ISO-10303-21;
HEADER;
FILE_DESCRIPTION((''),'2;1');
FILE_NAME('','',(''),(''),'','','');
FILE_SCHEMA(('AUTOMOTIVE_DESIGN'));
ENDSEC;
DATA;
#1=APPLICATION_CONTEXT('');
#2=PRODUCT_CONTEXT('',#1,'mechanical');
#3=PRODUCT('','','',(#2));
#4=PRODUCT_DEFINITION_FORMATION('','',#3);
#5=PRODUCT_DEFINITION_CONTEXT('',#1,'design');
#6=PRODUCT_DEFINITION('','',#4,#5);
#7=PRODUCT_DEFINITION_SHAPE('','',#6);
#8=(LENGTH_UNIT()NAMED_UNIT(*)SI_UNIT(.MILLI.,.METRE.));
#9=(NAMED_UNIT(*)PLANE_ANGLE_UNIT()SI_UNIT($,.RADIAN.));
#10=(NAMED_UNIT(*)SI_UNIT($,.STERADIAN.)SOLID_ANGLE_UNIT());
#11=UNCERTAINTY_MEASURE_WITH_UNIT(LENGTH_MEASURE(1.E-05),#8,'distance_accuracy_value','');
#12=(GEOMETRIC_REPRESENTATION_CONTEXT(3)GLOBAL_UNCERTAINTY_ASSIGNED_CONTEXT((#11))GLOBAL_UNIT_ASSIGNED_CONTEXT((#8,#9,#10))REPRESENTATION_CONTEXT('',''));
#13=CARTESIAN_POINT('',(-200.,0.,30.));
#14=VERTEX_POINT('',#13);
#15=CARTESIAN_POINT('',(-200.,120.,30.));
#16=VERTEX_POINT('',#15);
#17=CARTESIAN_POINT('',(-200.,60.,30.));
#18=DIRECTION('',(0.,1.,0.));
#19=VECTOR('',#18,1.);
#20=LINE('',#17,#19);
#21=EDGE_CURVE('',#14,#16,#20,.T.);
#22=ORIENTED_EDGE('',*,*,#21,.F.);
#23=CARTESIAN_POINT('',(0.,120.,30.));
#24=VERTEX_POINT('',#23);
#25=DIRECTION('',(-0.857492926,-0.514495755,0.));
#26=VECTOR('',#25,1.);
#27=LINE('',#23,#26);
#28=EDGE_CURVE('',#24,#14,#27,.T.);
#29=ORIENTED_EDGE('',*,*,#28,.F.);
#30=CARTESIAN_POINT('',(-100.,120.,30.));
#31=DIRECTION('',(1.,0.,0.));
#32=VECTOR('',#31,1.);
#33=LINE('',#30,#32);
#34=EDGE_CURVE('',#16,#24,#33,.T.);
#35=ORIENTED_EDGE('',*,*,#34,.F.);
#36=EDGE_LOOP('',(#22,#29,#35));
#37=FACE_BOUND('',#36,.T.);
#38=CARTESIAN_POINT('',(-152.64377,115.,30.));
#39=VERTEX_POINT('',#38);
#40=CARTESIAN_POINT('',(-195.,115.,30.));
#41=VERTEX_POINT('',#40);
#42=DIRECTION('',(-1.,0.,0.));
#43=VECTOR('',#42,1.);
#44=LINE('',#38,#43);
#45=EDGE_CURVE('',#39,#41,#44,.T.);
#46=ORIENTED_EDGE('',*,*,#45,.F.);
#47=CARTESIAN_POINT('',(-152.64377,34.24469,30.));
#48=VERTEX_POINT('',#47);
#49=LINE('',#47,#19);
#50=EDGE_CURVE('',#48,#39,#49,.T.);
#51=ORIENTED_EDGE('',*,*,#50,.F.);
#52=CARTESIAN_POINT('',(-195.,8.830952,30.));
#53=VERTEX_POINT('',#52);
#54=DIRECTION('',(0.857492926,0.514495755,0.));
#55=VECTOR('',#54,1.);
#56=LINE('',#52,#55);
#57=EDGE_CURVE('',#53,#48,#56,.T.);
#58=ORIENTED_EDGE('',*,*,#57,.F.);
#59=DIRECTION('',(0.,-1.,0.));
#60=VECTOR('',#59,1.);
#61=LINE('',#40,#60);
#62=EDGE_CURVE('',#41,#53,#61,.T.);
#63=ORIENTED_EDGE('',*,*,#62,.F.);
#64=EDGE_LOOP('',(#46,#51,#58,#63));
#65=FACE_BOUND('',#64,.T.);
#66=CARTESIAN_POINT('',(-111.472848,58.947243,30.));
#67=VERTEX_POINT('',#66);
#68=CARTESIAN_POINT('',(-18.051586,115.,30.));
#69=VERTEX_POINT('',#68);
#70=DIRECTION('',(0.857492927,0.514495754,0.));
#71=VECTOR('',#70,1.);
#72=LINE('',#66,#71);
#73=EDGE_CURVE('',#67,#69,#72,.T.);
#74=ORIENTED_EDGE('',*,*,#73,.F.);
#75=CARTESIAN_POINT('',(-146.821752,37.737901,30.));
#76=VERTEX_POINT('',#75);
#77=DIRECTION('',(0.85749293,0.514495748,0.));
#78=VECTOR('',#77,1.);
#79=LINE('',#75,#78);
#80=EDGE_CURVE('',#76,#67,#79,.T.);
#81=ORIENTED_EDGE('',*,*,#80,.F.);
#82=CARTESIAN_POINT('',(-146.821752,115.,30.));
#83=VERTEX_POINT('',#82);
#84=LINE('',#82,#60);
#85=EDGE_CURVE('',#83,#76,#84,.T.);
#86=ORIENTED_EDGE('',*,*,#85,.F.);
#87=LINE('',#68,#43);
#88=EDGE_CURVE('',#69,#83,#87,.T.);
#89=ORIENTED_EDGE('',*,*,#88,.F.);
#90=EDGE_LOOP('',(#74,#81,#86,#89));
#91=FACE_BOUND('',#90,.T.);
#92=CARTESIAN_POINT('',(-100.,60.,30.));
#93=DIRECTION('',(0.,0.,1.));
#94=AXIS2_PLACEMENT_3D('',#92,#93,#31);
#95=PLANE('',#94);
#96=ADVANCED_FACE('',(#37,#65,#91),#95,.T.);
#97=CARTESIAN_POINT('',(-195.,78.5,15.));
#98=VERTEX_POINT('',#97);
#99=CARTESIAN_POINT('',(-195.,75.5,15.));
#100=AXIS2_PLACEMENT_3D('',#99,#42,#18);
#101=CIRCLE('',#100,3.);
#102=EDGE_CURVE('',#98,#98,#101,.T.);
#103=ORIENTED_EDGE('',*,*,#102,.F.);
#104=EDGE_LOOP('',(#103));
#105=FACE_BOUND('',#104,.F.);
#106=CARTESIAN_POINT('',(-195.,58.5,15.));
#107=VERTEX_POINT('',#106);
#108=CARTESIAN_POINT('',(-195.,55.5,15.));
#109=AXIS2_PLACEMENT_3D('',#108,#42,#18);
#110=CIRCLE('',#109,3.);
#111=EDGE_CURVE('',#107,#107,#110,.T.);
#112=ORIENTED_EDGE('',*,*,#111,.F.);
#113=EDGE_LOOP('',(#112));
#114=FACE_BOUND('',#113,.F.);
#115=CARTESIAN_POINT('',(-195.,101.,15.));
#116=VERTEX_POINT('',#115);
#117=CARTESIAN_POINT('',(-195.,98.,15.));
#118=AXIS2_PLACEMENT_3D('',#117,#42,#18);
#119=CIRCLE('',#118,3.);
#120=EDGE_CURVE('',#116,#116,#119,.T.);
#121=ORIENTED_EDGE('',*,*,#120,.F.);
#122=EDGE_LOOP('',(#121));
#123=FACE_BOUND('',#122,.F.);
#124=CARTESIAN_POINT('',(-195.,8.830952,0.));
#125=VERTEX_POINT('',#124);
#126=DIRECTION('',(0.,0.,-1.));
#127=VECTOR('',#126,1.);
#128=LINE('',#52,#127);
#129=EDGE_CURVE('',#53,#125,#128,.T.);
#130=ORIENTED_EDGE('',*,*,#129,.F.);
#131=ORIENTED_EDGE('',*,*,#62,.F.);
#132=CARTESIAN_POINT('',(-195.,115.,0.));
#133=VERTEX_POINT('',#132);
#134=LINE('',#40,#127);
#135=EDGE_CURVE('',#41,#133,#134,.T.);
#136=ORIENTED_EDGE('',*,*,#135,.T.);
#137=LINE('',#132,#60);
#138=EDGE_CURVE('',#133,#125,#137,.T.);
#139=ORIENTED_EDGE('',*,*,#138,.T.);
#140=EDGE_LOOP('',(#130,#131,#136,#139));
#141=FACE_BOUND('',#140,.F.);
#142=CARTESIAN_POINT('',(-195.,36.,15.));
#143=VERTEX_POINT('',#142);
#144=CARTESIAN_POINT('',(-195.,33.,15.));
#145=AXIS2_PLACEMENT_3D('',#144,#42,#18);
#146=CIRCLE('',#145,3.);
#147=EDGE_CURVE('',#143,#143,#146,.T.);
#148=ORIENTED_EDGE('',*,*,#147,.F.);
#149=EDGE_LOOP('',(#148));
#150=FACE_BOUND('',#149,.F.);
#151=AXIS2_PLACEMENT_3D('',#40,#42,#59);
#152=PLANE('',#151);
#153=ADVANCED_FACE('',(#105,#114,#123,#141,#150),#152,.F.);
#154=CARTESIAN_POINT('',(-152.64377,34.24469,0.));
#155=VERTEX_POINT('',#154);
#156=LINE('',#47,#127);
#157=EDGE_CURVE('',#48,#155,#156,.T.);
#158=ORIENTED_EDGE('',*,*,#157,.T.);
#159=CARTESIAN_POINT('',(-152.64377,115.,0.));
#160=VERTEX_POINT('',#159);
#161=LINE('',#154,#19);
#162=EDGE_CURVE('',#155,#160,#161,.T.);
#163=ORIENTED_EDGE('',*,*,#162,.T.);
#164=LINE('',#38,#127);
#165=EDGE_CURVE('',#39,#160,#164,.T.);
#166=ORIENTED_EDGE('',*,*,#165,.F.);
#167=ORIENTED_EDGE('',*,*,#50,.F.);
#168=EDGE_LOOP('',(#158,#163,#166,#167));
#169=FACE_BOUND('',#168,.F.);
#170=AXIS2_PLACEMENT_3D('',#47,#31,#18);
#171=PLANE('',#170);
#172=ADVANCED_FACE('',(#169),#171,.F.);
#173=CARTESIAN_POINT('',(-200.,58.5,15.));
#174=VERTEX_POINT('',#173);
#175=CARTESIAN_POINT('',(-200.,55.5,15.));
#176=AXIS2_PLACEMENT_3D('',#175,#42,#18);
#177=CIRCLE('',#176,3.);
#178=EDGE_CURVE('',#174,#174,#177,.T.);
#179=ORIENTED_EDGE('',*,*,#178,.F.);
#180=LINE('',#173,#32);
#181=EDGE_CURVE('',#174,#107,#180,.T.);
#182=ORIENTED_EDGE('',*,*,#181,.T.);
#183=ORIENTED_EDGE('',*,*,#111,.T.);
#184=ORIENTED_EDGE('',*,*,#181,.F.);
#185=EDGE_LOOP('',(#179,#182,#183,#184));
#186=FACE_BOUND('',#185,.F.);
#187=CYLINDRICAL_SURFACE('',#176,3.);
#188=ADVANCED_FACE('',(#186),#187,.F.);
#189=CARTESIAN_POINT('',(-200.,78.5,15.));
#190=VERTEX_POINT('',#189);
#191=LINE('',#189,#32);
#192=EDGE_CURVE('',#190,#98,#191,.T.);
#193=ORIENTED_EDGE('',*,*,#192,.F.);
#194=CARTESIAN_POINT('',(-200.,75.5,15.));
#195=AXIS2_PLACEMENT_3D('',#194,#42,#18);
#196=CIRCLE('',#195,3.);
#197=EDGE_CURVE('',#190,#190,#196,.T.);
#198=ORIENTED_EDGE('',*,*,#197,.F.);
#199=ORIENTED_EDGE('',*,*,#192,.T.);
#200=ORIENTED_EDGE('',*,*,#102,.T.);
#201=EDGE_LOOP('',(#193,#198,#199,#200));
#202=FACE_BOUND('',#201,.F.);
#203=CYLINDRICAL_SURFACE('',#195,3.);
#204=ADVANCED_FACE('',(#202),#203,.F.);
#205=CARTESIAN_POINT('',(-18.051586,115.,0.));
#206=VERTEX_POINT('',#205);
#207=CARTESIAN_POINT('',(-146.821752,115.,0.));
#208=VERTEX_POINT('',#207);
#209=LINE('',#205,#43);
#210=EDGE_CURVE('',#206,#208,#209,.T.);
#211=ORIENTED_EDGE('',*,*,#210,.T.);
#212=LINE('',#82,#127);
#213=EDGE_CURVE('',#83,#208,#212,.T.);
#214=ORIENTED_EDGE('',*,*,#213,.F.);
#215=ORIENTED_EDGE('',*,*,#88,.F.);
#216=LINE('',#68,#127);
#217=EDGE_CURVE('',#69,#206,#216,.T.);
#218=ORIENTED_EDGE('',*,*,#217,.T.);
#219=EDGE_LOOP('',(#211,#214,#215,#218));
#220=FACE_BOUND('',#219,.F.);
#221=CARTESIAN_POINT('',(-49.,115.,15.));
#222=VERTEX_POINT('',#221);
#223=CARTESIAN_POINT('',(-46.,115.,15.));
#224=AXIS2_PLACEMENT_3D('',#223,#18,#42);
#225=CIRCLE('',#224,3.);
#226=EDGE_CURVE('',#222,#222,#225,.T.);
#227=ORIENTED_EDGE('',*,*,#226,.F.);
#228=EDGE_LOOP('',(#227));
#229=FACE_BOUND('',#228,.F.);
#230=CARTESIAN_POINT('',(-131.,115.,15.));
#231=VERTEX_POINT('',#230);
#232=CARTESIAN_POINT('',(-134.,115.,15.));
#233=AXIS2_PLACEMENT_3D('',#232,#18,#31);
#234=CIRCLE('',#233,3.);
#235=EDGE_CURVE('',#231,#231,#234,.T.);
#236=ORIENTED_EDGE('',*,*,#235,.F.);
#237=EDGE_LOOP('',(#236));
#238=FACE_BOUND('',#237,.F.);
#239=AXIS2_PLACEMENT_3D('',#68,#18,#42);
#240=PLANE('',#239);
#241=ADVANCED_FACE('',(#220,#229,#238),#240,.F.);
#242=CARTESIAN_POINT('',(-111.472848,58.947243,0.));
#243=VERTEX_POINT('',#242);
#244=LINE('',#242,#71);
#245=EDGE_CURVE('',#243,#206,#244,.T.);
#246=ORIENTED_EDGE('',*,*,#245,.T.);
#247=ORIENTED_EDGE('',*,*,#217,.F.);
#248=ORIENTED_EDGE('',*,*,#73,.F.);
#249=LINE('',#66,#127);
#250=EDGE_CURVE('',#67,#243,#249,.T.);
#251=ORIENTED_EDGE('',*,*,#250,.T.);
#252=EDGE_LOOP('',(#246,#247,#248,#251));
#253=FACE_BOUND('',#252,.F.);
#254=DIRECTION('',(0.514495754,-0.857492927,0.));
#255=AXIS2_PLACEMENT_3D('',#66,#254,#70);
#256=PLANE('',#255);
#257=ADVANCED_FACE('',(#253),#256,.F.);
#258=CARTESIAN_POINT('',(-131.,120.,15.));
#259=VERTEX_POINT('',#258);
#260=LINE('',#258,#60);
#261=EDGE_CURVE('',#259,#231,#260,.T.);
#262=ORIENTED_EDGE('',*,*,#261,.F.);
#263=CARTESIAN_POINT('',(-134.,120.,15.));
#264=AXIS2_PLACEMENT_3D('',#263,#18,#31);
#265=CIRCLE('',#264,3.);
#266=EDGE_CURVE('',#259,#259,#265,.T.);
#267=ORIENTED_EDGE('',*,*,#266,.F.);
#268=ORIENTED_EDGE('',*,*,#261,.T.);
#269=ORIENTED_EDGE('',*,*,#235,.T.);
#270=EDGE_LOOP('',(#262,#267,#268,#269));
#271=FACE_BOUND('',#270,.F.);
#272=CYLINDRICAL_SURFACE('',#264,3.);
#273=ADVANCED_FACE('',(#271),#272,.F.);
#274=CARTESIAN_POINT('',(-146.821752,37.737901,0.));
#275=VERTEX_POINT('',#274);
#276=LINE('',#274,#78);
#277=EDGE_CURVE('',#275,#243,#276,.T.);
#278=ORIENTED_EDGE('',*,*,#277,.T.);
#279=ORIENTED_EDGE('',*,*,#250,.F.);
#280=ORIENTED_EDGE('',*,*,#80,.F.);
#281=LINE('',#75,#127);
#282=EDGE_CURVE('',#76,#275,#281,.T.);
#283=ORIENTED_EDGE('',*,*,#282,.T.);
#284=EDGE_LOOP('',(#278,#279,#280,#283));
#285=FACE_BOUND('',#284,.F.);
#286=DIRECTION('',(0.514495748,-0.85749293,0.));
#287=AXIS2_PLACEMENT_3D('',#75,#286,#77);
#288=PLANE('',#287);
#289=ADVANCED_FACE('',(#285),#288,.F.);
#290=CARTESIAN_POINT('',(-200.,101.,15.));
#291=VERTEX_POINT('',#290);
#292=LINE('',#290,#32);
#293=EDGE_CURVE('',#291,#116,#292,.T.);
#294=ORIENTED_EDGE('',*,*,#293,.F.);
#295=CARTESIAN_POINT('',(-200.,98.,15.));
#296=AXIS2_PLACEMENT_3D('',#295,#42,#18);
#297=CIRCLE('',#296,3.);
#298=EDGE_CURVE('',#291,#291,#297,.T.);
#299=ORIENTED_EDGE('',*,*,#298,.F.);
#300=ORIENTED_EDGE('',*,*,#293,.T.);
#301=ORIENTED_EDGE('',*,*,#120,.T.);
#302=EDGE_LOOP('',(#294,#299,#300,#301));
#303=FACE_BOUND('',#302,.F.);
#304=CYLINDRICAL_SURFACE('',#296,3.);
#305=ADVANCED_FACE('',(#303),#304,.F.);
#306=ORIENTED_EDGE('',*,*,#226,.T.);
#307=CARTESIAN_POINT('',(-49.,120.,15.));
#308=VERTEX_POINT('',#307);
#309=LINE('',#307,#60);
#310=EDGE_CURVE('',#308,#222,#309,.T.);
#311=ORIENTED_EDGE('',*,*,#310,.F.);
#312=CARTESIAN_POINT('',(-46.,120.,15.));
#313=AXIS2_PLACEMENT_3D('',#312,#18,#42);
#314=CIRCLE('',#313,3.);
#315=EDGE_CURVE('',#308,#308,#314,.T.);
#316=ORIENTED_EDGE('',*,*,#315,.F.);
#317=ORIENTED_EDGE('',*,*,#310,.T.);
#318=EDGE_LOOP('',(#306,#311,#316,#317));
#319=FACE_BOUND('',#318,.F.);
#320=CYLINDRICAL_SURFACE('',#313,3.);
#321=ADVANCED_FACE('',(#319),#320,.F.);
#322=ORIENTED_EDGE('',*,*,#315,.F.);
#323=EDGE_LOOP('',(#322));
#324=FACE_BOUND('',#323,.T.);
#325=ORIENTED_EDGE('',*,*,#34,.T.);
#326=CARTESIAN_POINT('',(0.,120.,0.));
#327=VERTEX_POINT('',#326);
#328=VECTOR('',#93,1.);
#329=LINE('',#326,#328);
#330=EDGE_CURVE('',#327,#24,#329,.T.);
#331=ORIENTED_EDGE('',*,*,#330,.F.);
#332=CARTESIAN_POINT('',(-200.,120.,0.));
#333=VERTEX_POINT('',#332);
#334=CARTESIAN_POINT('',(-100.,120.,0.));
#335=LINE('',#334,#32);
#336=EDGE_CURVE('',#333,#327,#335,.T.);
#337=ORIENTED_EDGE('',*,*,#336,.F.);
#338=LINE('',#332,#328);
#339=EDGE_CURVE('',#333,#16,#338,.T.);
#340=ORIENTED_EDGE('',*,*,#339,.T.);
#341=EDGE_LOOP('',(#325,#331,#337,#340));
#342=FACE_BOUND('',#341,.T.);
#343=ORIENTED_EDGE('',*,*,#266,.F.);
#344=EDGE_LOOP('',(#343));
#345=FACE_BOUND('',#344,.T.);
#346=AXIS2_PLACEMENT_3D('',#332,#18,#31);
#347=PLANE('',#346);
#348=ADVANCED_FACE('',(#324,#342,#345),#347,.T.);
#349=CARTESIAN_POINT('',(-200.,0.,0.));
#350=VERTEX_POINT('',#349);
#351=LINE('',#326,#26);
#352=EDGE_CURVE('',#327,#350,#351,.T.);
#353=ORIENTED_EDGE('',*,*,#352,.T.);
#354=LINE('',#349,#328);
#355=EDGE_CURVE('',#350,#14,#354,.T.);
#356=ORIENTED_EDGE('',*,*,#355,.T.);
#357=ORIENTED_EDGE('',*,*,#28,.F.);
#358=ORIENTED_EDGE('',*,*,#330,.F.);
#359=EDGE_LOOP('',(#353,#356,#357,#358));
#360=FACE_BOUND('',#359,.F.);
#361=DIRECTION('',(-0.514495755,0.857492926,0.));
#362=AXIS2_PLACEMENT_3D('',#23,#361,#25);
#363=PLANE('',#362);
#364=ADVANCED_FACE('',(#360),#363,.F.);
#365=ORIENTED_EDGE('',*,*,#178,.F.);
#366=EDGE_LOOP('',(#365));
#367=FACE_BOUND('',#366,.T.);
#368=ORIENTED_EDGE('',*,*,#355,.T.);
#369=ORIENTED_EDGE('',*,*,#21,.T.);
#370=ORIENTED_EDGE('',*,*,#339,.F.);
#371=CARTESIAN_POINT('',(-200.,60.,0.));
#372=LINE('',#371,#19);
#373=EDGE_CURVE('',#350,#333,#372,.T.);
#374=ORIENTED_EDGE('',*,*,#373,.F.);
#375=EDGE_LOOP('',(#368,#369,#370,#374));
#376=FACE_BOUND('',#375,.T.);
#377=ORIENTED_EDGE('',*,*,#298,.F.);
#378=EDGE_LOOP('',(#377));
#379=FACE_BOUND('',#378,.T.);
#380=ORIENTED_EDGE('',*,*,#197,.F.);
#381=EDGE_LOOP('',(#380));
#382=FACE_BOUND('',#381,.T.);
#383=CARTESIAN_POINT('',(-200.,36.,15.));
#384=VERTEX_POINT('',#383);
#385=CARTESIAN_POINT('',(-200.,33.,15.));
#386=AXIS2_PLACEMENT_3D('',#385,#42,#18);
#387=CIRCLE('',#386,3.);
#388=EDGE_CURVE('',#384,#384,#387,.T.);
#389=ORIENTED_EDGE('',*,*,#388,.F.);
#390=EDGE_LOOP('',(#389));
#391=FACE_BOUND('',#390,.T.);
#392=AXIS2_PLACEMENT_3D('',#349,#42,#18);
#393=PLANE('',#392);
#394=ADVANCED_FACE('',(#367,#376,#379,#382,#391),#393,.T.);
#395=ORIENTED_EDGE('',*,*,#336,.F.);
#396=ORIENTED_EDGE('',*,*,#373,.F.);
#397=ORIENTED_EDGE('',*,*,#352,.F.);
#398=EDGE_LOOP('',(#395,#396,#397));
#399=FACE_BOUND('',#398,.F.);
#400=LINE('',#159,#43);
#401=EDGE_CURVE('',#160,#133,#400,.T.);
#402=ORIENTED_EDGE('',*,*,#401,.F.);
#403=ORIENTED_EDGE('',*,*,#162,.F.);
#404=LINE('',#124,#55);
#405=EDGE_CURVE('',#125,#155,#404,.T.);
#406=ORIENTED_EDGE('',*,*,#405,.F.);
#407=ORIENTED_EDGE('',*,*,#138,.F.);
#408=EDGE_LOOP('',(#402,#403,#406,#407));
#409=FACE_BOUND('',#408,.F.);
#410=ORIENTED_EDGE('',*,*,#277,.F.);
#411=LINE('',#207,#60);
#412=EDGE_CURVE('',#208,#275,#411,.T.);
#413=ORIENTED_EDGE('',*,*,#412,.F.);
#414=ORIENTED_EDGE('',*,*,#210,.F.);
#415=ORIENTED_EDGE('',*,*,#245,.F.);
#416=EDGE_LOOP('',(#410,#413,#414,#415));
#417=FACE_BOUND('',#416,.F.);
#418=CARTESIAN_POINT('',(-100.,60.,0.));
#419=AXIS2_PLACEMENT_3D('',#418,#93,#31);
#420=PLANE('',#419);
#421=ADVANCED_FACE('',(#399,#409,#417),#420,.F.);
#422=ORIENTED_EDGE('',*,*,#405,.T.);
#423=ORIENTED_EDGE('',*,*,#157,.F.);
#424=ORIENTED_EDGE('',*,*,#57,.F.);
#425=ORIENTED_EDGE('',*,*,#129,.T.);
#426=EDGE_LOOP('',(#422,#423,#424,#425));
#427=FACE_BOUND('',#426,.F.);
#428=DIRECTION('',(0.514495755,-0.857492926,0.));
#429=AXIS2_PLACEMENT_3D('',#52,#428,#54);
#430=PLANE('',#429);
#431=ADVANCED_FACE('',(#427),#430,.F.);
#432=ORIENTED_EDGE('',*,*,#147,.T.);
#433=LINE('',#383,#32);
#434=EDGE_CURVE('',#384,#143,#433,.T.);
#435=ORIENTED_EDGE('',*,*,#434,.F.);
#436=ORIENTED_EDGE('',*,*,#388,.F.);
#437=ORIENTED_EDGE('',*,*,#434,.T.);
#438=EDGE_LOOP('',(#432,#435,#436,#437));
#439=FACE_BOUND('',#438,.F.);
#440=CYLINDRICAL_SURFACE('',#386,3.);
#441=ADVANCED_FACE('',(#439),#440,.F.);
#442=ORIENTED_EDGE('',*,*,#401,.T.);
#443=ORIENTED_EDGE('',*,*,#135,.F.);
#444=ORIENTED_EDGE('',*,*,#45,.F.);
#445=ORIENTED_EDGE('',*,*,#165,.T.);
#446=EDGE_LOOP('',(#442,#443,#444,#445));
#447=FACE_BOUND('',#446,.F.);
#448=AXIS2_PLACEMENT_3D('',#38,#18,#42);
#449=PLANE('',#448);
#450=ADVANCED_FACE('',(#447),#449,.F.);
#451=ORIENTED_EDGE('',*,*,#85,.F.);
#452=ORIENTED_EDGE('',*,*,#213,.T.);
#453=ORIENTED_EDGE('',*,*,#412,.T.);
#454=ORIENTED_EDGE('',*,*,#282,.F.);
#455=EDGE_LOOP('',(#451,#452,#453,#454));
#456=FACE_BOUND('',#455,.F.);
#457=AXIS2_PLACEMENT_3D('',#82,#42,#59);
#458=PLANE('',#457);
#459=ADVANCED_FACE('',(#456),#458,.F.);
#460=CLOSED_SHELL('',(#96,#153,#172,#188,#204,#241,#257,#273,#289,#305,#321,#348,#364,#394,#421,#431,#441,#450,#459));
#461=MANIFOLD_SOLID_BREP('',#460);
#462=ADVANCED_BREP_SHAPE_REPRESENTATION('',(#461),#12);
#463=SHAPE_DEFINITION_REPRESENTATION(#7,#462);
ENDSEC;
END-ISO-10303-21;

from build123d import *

# Parameters (mm, degrees)
F0_W     = 200
F0_H     = 120
F1_DEPTH = 30
F3_DEPTH = 30
F5_DEPTH = 30
F7_DEPTH = 6
F9_DEPTH = 6


with BuildPart() as f1:
    # F0 (on Top) → F1 (new body)
    with BuildSketch(Plane.XY):
        with Locations((-100, 60)):
            Rectangle(F0_W, F0_H)
    extrude(amount=F1_DEPTH)

    # F2 (on face) → F3 (cut)
    with BuildSketch(Plane.XY.offset(30)):
        Polygon((0, 120), (-200, 0), (0, 0), align=None)
    extrude(amount=-F3_DEPTH, mode=Mode.SUBTRACT)

    # F4 (on face) → F5 (cut)
    with BuildSketch(Plane.XY.offset(30)):
        Polygon((-195, 60.924411), (-195, 8.830952), (-152.64377, 34.24469), (-152.64377, 115), (-195, 115), align=None)
        Polygon((-146.821752, 115), (-146.821752, 37.737901), (-111.472848, 58.947243), (-18.051586, 115), (-115.799665, 115), align=None)
    extrude(amount=-F5_DEPTH, mode=Mode.SUBTRACT)

    # F6 (on face) → F7 (cut)
    with BuildSketch(Plane(origin=(0, 120, 0), x_dir=(-1, 0, 0), z_dir=(0, 1, 0))):
        with BuildLine():
            ThreePointArc((137, 15), (134, 18), (131, 15))
            ThreePointArc((131, 15), (134, 12), (137, 15))
        make_face()
        with BuildLine():
            Line((46, 15), (43, 15))
            ThreePointArc((43, 15), (46, 12), (49, 15))
            Line((49, 15), (46, 15))
        make_face()
        with BuildLine():
            ThreePointArc((49, 15), (46, 18), (43, 15))
            Line((43, 15), (46, 15))
            Line((46, 15), (49, 15))
        make_face()
    extrude(amount=-F7_DEPTH, mode=Mode.SUBTRACT)

    # F8 (on face) → F9 (cut)
    with BuildSketch(Plane(origin=(-200, 0, 0), x_dir=(0, -1, 0), z_dir=(-1, 0, 0))):
        with BuildLine():
            Line((-33, 15), (-30, 15))
            ThreePointArc((-30, 15), (-33, 18), (-36, 15))
            Line((-36, 15), (-33, 15))
        make_face()
        with BuildLine():
            ThreePointArc((-36, 15), (-33, 12), (-30, 15))
            Line((-30, 15), (-33, 15))
            Line((-33, 15), (-36, 15))
        make_face()
        with BuildLine():
            Line((-55.5, 15), (-52.5, 15))
            ThreePointArc((-52.5, 15), (-55.5, 18), (-58.5, 15))
            Line((-58.5, 15), (-55.5, 15))
        make_face()
        with BuildLine():
            ThreePointArc((-58.5, 15), (-55.5, 12), (-52.5, 15))
            Line((-52.5, 15), (-55.5, 15))
            Line((-55.5, 15), (-58.5, 15))
        make_face()
        with BuildLine():
            Line((-75.5, 15), (-72.5, 15))
            ThreePointArc((-72.5, 15), (-75.5, 18), (-78.5, 15))
            Line((-78.5, 15), (-75.5, 15))
        make_face()
        with BuildLine():
            ThreePointArc((-78.5, 15), (-75.5, 12), (-72.5, 15))
            Line((-72.5, 15), (-75.5, 15))
            Line((-75.5, 15), (-78.5, 15))
        make_face()
        with BuildLine():
            ThreePointArc((-95, 15), (-98, 18), (-101, 15))
            Line((-101, 15), (-98, 15))
            Line((-98, 15), (-95, 15))
        make_face()
        with BuildLine():
            Line((-98, 15), (-101, 15))
            ThreePointArc((-101, 15), (-98, 12), (-95, 15))
            Line((-95, 15), (-98, 15))
        make_face()
    extrude(amount=-F9_DEPTH, mode=Mode.SUBTRACT)


solid = f1.part
